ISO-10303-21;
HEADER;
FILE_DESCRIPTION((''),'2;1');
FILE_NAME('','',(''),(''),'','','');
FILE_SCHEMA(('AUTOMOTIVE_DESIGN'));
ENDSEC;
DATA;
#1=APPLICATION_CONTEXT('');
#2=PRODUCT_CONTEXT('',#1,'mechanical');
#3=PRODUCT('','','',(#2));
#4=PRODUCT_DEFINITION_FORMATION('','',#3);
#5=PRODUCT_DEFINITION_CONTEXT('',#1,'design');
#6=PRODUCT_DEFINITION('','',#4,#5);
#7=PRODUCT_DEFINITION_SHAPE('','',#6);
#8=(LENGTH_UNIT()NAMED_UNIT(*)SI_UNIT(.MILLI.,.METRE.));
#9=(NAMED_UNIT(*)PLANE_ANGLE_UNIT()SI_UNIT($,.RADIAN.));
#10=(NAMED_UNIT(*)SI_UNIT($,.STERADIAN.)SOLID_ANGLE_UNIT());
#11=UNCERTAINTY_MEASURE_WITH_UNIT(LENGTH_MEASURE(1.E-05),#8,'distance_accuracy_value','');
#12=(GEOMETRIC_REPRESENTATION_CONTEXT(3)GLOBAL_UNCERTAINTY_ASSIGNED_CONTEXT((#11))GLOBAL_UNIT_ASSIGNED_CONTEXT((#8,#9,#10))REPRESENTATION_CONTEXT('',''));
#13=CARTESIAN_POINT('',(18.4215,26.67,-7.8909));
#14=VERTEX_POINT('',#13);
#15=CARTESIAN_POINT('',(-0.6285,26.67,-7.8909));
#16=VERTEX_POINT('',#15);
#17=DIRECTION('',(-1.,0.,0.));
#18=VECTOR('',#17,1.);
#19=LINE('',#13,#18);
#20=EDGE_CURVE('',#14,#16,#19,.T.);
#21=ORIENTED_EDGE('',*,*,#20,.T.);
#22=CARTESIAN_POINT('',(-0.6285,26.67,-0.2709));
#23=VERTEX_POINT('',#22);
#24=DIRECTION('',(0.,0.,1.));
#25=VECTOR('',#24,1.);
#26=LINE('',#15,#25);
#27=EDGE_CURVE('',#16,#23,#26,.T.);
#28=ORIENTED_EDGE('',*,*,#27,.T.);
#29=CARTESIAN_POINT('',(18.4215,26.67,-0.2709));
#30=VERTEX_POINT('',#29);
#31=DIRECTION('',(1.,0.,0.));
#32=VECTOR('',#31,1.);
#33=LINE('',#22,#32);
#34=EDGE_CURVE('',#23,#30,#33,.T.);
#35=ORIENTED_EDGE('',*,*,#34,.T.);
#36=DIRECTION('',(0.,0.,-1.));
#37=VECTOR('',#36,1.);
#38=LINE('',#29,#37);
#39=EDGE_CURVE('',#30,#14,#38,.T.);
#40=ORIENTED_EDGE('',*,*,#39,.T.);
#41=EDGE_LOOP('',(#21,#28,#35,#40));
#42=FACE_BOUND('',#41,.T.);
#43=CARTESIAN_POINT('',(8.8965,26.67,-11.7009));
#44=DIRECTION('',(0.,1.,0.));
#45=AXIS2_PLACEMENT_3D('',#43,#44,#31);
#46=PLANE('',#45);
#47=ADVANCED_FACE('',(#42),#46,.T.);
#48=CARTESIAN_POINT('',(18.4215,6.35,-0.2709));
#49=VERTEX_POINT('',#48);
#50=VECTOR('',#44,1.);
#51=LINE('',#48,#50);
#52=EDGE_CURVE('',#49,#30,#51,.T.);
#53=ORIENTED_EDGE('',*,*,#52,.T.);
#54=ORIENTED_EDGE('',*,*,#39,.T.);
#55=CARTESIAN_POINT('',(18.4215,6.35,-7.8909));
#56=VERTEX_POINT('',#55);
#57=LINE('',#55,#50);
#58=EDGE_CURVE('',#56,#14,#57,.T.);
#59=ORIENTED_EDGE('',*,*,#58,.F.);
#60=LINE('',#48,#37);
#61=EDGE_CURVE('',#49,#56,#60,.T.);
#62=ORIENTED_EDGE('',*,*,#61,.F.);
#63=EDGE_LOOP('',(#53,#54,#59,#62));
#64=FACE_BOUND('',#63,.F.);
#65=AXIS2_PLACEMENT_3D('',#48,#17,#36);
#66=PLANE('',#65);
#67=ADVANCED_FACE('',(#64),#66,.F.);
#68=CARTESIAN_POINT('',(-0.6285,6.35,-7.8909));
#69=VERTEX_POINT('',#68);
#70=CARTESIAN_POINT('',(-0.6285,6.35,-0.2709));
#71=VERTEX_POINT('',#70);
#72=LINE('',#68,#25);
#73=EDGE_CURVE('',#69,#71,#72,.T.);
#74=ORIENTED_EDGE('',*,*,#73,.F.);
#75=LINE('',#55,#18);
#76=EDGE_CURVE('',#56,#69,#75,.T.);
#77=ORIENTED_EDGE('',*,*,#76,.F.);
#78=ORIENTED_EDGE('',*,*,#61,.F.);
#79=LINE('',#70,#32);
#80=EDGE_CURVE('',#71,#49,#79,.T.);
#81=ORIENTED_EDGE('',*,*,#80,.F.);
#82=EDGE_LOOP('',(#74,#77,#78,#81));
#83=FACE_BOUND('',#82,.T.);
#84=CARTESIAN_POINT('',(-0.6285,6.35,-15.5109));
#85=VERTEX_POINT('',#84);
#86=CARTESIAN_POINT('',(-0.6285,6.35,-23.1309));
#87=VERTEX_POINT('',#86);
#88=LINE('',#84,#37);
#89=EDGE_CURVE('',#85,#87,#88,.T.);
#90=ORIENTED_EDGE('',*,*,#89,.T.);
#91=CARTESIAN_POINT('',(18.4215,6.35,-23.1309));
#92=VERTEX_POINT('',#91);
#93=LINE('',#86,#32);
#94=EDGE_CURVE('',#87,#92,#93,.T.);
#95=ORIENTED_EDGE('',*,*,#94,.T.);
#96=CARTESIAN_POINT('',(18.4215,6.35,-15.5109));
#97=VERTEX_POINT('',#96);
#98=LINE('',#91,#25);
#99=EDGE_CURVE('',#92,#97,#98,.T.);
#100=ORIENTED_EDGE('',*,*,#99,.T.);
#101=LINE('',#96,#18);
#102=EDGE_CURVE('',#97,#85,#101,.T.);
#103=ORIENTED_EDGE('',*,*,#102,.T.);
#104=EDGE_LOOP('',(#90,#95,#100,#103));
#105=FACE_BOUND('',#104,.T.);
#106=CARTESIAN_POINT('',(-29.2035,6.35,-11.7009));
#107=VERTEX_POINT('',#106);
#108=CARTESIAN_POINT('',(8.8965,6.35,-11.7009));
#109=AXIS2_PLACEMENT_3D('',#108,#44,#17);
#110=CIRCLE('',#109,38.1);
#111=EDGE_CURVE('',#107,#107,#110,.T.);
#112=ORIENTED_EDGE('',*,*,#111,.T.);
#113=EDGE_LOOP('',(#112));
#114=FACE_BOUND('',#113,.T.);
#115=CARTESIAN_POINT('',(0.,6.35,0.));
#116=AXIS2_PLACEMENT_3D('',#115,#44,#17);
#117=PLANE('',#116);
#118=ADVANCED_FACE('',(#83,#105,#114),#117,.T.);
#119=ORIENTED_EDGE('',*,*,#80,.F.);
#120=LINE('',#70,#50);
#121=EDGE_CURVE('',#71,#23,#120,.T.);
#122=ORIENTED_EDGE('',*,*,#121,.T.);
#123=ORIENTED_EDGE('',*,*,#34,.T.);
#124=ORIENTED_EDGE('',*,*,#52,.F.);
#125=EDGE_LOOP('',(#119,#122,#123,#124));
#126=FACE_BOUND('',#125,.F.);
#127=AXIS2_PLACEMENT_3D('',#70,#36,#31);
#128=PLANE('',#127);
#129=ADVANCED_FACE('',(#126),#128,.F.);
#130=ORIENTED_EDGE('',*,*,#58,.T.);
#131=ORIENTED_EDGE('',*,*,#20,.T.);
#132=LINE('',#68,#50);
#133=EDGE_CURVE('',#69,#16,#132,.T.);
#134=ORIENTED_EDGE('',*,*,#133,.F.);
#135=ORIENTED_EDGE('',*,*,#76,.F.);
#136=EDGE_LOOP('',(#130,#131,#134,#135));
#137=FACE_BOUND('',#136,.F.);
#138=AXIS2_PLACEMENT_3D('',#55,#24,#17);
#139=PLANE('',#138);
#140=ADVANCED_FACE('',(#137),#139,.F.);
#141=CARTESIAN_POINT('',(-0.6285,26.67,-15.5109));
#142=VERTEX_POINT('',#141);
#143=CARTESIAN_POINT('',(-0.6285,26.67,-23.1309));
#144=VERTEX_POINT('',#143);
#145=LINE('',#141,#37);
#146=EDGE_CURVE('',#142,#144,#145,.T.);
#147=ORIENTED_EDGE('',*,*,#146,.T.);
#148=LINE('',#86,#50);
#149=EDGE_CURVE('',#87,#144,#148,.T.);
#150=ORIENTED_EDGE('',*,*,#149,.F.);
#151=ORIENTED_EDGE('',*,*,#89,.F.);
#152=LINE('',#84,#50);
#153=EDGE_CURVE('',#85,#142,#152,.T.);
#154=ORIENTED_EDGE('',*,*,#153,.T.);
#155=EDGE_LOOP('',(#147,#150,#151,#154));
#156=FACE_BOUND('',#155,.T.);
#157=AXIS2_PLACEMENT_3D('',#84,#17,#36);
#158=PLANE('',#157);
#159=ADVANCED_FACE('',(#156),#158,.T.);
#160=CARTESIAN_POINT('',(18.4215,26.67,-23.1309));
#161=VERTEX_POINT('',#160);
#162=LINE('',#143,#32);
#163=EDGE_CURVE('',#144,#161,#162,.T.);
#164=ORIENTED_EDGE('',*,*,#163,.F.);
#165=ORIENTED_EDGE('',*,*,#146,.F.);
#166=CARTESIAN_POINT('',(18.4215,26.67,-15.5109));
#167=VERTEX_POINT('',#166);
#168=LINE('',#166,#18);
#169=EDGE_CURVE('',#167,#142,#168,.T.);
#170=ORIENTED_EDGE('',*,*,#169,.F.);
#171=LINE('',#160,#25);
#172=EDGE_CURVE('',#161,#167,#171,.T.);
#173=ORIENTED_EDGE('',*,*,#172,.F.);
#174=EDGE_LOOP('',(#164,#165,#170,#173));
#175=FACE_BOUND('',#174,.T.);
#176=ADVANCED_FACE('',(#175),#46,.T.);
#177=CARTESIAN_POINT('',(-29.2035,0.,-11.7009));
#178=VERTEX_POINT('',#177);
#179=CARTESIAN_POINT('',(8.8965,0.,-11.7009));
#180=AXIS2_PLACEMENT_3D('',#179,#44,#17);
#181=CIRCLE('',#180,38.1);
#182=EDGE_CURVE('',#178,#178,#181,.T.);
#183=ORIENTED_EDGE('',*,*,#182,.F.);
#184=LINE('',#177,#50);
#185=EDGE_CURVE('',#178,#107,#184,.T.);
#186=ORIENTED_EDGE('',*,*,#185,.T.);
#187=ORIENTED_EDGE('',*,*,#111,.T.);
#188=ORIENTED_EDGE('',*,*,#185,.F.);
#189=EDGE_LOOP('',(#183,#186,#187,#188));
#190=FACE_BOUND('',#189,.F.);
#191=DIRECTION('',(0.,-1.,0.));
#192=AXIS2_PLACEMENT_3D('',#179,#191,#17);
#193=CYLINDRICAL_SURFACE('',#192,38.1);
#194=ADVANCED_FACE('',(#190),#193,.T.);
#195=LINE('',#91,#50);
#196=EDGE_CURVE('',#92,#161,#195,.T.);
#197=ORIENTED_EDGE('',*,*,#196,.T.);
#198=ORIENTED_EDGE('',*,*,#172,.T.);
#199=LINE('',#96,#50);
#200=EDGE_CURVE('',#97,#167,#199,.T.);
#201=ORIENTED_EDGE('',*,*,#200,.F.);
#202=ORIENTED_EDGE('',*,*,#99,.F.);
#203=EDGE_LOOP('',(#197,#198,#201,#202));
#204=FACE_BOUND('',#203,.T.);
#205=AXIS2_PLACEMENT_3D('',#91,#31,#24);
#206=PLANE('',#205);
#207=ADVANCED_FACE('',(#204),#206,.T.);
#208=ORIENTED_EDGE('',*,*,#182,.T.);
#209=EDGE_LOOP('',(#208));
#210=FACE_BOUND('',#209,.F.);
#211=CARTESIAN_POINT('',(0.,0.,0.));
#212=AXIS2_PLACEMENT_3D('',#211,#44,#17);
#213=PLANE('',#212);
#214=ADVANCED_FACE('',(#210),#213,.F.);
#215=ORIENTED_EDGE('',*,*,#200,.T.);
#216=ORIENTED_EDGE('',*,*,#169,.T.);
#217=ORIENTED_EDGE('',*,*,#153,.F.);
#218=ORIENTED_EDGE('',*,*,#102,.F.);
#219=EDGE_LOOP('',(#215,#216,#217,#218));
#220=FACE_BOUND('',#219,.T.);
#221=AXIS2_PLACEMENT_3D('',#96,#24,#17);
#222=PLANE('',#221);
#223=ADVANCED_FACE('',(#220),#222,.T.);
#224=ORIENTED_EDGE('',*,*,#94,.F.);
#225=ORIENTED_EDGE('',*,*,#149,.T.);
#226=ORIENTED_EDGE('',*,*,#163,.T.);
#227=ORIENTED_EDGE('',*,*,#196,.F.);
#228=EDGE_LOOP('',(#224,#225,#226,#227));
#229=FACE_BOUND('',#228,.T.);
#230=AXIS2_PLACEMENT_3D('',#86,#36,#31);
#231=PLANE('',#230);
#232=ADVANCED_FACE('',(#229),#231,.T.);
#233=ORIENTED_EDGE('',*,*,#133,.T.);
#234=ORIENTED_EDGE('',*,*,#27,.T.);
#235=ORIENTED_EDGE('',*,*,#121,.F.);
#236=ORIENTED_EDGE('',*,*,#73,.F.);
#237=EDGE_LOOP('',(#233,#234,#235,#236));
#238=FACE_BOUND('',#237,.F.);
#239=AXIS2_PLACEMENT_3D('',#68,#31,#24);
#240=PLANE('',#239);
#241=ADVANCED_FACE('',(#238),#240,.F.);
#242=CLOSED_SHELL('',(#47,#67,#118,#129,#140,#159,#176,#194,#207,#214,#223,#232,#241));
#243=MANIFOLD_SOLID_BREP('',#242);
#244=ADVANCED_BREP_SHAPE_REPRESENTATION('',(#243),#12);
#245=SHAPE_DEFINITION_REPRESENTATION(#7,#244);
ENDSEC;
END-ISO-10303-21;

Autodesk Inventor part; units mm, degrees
ref_plane "YZ Plane" through (0, 0, 0) normal (1, 0, 0) x (0, 1, 0)
ref_plane "XZ Plane" through (0, 0, 0) normal (0, 1, 0) x (-1, 0, 0)
ref_plane "XY Plane" through (0, 0, 0) normal (0, 0, 1) x (1, 0, 0)
sketch "Sketch1" plane through (0, 0, 0) normal (0, 1, 0) x (-1, 0, 0)
  circle A0 centre (-8.8965, -11.7009) radius 38.1
  point P0 (0, 0)
  dimension "d0" = 76.2
extrude "Extrusion1" add sketch "Sketch1" along normal blind 6.35
sketch "Sketch7" plane through (8.8965, 6.35, -11.7009) normal (0, 1, 0) x (1, 0, 0)
  line L0 (9.525, -11.43) -> (-9.525, -11.43) construction
  line L1 (-9.525, -11.43) -> (-9.525, 11.43) construction
  line L2 (-9.525, 11.43) -> (9.525, 11.43) construction
  line L3 (9.525, 11.43) -> (9.525, -11.43) construction
  line L4 (-9.525, 11.43) -> (9.525, -11.43) construction
  line L5 (-9.525, -11.43) -> (9.525, 11.43) construction
  circle A0 centre (0, 0) radius 38.1 construction
  line L6 (-38.1, 0) -> (38.1, 0) construction
  line L7 (0, -38.1) -> (0, 38.1) construction
  line L8 (-9.525, 11.43) -> (9.525, 11.43)
  line L9 (9.525, 11.43) -> (9.525, 3.81)
  line L10 (9.525, 3.81) -> (-9.525, 3.81)
  line L11 (-9.525, 3.81) -> (-9.525, 11.43)
  line L12 (-9.525, -11.43) -> (9.525, -11.43)
  line L13 (9.525, -11.43) -> (9.525, -3.81)
  line L14 (9.525, -3.81) -> (-9.525, -3.81)
  line L15 (-9.525, -3.81) -> (-9.525, -11.43)
  point P0 (-8.8965, -11.7009)
  point P1 (0, 0)
  dimension "d22" = 19.05
  dimension "d23" = 22.86
  dimension "d25" = 7.62
  dimension "d26" = 7.62
extrude "Extrusion3" add sketch "Sketch7" along normal blind 20.32
properties part number "Arm holder"
